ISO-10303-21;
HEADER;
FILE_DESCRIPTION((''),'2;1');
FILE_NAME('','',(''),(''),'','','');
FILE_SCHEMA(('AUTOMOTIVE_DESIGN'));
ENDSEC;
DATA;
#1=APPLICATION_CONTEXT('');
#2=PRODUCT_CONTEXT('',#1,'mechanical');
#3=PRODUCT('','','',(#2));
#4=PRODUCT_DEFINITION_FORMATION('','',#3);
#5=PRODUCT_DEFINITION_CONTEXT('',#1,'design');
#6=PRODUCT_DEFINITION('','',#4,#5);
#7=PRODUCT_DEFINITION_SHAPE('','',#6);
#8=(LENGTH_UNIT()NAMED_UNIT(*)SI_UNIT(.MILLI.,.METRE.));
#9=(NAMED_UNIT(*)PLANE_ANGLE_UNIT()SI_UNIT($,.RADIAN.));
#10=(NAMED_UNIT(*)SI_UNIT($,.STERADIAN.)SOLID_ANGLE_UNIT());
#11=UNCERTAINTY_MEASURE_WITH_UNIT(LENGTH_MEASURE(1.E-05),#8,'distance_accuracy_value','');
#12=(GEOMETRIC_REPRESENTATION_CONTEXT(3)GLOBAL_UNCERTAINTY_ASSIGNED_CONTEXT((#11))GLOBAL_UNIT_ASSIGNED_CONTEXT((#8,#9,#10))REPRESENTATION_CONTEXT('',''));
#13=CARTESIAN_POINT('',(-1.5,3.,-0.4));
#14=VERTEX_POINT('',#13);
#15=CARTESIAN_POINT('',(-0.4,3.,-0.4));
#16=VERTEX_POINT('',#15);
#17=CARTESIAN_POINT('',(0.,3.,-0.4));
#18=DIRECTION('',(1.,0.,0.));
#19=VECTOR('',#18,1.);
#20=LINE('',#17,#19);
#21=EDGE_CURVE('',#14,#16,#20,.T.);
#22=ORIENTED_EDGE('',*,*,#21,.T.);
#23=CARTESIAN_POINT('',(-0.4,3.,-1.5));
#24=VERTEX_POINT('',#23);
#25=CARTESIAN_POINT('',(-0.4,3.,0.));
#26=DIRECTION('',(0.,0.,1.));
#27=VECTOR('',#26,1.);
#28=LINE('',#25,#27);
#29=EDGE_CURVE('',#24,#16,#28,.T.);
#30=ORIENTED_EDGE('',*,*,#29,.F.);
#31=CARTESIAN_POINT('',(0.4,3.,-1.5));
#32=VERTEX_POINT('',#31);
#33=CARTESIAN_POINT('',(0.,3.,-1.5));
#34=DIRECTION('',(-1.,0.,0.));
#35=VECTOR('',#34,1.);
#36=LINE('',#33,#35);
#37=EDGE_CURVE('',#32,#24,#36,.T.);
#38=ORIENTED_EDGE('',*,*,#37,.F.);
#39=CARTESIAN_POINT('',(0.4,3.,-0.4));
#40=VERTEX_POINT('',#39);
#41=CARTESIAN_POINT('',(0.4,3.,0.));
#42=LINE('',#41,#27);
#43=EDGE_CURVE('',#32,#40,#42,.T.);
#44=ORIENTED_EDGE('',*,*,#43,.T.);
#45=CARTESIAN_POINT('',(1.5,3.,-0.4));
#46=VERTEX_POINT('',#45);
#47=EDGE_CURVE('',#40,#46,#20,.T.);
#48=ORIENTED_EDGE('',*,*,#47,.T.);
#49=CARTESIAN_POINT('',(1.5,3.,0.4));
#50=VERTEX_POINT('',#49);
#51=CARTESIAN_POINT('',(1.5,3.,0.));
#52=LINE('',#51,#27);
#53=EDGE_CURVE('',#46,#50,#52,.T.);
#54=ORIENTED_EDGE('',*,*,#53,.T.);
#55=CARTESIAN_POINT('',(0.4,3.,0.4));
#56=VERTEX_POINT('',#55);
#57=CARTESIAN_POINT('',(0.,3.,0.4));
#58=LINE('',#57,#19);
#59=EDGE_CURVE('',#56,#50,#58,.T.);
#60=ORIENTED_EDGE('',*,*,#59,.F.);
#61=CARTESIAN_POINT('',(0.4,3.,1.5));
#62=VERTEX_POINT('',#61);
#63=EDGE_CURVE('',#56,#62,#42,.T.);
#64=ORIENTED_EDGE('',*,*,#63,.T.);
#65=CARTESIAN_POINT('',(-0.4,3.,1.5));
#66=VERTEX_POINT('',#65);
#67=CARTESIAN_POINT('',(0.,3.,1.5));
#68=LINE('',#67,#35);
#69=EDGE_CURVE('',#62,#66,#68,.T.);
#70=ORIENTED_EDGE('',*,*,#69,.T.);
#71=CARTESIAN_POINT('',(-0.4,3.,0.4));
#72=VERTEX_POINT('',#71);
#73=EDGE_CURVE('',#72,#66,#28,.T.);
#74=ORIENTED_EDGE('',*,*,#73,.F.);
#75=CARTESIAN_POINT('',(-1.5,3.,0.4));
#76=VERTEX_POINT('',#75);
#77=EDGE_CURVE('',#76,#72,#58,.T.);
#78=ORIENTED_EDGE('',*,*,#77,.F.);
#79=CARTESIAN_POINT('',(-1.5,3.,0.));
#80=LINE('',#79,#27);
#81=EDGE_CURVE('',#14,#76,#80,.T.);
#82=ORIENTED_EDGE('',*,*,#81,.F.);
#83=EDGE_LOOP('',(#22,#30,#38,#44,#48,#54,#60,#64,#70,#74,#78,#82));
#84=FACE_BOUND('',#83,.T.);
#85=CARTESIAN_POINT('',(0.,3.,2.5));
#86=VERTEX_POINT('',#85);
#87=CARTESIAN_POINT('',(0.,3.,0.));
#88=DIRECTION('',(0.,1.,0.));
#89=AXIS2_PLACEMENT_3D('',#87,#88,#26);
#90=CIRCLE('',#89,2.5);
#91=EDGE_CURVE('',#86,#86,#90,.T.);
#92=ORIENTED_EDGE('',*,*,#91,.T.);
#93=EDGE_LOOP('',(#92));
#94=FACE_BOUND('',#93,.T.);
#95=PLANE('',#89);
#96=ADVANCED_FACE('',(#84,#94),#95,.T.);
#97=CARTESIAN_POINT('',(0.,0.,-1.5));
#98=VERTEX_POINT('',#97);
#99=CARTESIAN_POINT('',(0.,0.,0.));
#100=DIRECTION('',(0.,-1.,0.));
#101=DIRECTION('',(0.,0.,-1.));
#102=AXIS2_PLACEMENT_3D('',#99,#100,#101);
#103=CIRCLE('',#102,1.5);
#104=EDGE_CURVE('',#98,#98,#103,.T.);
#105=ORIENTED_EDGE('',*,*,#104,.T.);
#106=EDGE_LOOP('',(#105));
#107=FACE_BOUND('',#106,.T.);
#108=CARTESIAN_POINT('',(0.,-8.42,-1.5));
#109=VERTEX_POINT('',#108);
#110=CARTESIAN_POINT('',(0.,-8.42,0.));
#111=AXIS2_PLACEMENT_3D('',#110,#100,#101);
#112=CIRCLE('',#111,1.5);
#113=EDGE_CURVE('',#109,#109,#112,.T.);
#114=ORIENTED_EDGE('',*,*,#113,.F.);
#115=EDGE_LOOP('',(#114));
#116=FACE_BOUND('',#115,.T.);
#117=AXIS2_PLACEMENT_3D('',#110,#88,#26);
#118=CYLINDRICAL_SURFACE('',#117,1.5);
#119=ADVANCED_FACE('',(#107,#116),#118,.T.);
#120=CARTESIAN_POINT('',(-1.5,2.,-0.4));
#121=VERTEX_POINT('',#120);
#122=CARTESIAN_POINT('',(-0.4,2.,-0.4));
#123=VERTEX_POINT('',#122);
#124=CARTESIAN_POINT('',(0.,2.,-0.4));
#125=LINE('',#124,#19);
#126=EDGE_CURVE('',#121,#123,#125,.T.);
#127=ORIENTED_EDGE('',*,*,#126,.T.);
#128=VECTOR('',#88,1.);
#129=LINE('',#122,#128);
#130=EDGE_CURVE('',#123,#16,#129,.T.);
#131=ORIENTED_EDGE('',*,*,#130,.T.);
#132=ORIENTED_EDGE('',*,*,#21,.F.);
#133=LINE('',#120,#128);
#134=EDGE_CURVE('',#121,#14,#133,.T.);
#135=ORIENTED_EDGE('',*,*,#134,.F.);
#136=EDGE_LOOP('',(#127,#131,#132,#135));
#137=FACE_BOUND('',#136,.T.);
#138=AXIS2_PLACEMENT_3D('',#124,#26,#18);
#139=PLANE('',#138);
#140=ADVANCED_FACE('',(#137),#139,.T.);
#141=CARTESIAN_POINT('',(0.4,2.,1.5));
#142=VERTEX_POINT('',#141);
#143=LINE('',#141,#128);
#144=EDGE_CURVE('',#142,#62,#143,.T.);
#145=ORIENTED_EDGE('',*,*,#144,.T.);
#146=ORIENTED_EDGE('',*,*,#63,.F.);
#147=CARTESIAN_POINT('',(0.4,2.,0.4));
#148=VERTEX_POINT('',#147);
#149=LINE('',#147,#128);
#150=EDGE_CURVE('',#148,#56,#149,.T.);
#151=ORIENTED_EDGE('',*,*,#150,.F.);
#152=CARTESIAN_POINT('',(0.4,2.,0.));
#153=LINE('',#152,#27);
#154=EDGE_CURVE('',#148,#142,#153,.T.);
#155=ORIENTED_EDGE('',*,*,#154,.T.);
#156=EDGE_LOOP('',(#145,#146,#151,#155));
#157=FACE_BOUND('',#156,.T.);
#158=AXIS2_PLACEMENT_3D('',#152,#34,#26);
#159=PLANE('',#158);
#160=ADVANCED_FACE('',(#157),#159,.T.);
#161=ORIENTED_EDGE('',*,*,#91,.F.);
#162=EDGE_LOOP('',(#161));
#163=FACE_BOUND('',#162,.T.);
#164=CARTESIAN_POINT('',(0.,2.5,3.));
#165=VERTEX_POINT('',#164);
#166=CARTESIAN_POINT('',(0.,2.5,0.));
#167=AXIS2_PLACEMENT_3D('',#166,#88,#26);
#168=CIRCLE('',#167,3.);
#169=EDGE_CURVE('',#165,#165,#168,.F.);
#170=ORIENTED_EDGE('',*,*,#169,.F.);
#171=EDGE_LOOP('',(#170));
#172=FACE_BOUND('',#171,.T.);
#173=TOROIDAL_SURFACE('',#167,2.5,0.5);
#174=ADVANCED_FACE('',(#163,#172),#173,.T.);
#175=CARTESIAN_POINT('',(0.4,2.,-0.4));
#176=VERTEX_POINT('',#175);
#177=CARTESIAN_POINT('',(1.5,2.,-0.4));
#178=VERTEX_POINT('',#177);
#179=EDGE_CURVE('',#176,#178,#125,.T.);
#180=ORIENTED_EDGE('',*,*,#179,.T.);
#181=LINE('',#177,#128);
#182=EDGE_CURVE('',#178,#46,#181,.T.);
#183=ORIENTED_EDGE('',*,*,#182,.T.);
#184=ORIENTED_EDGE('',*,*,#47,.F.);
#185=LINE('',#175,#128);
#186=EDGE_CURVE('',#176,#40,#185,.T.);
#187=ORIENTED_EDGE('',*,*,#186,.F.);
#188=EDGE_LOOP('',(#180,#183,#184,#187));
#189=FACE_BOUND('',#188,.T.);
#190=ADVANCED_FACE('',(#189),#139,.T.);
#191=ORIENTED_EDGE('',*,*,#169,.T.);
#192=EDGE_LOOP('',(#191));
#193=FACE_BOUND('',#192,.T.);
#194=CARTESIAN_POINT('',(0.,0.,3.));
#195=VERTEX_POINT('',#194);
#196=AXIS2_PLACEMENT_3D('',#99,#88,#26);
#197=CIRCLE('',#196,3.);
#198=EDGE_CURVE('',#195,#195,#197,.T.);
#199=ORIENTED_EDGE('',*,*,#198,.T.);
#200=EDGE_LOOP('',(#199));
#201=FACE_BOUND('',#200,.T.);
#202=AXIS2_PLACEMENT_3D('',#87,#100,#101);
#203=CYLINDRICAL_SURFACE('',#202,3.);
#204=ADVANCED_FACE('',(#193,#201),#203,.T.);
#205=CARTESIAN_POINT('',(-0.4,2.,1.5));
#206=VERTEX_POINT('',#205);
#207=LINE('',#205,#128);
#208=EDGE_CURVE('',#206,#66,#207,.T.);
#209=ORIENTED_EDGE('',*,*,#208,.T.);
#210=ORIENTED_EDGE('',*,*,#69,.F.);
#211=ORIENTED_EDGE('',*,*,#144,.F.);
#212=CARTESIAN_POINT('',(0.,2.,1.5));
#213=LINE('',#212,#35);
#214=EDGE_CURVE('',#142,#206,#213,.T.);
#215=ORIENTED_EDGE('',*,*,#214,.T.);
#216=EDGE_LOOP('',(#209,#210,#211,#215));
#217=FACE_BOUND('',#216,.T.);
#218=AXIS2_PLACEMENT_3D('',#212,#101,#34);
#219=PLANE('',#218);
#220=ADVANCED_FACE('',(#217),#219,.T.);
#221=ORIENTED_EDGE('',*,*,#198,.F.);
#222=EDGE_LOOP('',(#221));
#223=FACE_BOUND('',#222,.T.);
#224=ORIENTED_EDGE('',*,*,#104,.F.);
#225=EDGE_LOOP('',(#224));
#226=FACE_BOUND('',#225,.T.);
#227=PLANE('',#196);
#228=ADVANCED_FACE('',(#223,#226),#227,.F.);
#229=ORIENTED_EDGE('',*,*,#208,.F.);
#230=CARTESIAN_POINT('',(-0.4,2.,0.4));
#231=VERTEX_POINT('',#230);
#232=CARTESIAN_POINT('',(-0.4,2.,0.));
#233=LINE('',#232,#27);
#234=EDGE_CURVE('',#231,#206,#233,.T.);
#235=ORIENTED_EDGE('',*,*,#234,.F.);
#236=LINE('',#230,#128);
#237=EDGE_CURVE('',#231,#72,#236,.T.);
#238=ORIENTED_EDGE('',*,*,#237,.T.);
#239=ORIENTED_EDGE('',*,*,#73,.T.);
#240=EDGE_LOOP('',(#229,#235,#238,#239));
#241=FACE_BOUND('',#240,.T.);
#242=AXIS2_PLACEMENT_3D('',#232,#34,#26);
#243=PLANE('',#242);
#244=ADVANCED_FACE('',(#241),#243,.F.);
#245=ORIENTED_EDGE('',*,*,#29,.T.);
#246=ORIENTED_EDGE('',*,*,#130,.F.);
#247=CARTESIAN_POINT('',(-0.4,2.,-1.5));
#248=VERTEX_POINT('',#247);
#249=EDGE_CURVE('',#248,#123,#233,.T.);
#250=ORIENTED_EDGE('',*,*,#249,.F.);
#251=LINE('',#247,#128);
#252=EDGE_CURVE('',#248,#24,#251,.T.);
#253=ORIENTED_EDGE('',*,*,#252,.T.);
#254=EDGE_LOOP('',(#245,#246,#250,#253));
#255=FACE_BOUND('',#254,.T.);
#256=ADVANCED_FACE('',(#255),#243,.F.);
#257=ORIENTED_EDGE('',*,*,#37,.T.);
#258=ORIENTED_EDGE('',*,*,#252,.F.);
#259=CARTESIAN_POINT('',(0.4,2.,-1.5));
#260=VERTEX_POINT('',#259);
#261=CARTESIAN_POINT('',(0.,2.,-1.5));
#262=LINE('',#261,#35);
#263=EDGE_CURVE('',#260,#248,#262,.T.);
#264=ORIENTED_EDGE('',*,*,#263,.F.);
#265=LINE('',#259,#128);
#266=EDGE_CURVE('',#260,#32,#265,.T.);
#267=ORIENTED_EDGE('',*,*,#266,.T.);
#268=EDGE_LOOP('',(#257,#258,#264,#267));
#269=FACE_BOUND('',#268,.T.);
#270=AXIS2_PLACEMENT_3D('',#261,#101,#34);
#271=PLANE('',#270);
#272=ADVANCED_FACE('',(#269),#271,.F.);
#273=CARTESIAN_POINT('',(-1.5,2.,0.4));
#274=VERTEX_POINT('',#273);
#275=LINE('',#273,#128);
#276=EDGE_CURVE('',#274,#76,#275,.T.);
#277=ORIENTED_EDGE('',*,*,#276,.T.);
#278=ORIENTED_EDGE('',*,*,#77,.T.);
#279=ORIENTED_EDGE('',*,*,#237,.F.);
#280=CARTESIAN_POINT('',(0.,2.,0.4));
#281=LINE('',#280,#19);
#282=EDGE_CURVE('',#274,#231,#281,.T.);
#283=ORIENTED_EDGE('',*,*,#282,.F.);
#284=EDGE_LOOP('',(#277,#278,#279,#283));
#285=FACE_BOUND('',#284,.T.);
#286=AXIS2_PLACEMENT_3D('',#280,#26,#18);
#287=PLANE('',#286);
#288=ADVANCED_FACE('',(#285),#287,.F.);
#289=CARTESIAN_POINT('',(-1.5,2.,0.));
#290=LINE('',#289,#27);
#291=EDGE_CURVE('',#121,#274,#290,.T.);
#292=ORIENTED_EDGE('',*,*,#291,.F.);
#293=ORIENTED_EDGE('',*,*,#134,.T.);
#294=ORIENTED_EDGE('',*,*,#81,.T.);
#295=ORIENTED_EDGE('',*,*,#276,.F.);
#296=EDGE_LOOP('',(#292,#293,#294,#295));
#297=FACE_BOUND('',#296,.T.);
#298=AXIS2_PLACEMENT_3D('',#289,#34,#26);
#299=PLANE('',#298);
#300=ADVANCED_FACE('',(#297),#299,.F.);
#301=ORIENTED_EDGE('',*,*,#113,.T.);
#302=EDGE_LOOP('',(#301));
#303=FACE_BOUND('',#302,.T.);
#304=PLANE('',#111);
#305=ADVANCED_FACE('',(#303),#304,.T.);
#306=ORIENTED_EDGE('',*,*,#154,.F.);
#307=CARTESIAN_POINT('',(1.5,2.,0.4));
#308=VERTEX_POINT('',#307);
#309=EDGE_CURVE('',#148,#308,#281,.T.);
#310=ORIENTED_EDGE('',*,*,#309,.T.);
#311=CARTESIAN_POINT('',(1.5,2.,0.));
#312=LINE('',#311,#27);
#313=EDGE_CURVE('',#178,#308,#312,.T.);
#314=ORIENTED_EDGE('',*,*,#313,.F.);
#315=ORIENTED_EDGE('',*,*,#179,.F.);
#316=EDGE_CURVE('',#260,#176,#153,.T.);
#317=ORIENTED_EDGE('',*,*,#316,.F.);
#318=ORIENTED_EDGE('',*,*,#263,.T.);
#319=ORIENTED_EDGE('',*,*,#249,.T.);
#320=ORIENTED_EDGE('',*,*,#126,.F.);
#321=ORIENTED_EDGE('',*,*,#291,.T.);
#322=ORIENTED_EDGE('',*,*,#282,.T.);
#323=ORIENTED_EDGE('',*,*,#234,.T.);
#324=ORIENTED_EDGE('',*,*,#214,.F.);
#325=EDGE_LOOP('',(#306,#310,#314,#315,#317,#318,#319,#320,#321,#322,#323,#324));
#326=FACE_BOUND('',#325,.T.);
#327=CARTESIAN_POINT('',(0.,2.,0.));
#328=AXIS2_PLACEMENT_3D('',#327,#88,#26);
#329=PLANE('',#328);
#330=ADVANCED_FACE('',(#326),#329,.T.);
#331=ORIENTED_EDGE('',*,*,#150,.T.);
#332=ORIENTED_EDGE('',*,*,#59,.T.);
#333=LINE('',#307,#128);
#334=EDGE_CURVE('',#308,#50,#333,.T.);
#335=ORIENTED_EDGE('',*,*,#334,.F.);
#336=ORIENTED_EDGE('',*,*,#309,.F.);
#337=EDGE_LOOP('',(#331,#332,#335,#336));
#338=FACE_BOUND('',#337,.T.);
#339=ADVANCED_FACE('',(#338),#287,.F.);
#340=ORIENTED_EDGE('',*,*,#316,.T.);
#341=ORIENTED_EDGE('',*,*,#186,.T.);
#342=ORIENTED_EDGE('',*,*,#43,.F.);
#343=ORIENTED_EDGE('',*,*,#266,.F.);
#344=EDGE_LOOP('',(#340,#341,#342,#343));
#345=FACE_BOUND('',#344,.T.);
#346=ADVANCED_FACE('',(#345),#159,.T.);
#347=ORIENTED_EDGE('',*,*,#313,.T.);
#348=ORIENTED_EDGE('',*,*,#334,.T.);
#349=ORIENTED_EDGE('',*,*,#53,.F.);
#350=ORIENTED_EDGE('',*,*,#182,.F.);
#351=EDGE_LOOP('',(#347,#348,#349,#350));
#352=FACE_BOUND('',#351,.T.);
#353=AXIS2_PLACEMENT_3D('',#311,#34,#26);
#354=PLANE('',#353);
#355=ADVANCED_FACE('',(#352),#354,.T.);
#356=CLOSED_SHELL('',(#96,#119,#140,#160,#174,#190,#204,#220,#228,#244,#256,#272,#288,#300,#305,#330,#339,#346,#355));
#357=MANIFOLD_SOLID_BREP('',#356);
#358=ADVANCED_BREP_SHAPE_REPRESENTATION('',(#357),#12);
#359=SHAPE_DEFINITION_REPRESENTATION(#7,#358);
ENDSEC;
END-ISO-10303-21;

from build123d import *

# Parameters (mm, degrees)
SKETCH1_R           = 3
BOSS_EXTRUDE1_DEPTH = 3
SKETCH2_R           = 1.5
BOSS_EXTRUDE2_DEPTH = 8.42
FILLET1_R           = 0.5
SKETCH3_W           = 0.8
SKETCH3_H           = 1.1
SKETCH3_W_2         = 1.1
SKETCH3_H_2         = 0.8
CUT_EXTRUDE1_DEPTH  = 1


with BuildPart() as part:
    # Sketch1 → Boss-Extrude1 (new body)
    with BuildSketch(Plane(origin=(0, 0, 0), x_dir=(1, 0, 0), z_dir=(0, 1, 0))):
        with Locations(Location((0, 0, 0), (0, 0, 270))):
            Circle(SKETCH1_R)
    extrude(amount=BOSS_EXTRUDE1_DEPTH)

    # Sketch2 → Boss-Extrude2 (add)
    with BuildSketch(Plane.XZ):
        with Locations(Location((0, 0, 0), (0, 0, 270))):
            Circle(SKETCH2_R)
    extrude(amount=BOSS_EXTRUDE2_DEPTH)

    # Fillet1
    fillet1_edges = [part.edges().sort_by_distance(p)[0] for p in [
        (0, 3, -3),
    ]]
    fillet(fillet1_edges, radius=FILLET1_R)

    # Sketch3 → Cut-Extrude1 (cut)
    with BuildSketch(Plane(origin=(0, 3, 0), x_dir=(1, 0, 0), z_dir=(0, 1, 0))):
        with Locations((0, 0.95)):
            Rectangle(SKETCH3_W, SKETCH3_H)
        with Locations((0.95, 0)):
            Rectangle(SKETCH3_W_2, SKETCH3_H_2)
        with Locations((0, -0.95)):
            Rectangle(SKETCH3_W, SKETCH3_H)
        with Locations((-0.95, 0)):
            Rectangle(SKETCH3_W_2, SKETCH3_H_2)
        Rectangle(SKETCH3_W, SKETCH3_H_2)
    extrude(amount=-CUT_EXTRUDE1_DEPTH, mode=Mode.SUBTRACT)


solid = part.part
